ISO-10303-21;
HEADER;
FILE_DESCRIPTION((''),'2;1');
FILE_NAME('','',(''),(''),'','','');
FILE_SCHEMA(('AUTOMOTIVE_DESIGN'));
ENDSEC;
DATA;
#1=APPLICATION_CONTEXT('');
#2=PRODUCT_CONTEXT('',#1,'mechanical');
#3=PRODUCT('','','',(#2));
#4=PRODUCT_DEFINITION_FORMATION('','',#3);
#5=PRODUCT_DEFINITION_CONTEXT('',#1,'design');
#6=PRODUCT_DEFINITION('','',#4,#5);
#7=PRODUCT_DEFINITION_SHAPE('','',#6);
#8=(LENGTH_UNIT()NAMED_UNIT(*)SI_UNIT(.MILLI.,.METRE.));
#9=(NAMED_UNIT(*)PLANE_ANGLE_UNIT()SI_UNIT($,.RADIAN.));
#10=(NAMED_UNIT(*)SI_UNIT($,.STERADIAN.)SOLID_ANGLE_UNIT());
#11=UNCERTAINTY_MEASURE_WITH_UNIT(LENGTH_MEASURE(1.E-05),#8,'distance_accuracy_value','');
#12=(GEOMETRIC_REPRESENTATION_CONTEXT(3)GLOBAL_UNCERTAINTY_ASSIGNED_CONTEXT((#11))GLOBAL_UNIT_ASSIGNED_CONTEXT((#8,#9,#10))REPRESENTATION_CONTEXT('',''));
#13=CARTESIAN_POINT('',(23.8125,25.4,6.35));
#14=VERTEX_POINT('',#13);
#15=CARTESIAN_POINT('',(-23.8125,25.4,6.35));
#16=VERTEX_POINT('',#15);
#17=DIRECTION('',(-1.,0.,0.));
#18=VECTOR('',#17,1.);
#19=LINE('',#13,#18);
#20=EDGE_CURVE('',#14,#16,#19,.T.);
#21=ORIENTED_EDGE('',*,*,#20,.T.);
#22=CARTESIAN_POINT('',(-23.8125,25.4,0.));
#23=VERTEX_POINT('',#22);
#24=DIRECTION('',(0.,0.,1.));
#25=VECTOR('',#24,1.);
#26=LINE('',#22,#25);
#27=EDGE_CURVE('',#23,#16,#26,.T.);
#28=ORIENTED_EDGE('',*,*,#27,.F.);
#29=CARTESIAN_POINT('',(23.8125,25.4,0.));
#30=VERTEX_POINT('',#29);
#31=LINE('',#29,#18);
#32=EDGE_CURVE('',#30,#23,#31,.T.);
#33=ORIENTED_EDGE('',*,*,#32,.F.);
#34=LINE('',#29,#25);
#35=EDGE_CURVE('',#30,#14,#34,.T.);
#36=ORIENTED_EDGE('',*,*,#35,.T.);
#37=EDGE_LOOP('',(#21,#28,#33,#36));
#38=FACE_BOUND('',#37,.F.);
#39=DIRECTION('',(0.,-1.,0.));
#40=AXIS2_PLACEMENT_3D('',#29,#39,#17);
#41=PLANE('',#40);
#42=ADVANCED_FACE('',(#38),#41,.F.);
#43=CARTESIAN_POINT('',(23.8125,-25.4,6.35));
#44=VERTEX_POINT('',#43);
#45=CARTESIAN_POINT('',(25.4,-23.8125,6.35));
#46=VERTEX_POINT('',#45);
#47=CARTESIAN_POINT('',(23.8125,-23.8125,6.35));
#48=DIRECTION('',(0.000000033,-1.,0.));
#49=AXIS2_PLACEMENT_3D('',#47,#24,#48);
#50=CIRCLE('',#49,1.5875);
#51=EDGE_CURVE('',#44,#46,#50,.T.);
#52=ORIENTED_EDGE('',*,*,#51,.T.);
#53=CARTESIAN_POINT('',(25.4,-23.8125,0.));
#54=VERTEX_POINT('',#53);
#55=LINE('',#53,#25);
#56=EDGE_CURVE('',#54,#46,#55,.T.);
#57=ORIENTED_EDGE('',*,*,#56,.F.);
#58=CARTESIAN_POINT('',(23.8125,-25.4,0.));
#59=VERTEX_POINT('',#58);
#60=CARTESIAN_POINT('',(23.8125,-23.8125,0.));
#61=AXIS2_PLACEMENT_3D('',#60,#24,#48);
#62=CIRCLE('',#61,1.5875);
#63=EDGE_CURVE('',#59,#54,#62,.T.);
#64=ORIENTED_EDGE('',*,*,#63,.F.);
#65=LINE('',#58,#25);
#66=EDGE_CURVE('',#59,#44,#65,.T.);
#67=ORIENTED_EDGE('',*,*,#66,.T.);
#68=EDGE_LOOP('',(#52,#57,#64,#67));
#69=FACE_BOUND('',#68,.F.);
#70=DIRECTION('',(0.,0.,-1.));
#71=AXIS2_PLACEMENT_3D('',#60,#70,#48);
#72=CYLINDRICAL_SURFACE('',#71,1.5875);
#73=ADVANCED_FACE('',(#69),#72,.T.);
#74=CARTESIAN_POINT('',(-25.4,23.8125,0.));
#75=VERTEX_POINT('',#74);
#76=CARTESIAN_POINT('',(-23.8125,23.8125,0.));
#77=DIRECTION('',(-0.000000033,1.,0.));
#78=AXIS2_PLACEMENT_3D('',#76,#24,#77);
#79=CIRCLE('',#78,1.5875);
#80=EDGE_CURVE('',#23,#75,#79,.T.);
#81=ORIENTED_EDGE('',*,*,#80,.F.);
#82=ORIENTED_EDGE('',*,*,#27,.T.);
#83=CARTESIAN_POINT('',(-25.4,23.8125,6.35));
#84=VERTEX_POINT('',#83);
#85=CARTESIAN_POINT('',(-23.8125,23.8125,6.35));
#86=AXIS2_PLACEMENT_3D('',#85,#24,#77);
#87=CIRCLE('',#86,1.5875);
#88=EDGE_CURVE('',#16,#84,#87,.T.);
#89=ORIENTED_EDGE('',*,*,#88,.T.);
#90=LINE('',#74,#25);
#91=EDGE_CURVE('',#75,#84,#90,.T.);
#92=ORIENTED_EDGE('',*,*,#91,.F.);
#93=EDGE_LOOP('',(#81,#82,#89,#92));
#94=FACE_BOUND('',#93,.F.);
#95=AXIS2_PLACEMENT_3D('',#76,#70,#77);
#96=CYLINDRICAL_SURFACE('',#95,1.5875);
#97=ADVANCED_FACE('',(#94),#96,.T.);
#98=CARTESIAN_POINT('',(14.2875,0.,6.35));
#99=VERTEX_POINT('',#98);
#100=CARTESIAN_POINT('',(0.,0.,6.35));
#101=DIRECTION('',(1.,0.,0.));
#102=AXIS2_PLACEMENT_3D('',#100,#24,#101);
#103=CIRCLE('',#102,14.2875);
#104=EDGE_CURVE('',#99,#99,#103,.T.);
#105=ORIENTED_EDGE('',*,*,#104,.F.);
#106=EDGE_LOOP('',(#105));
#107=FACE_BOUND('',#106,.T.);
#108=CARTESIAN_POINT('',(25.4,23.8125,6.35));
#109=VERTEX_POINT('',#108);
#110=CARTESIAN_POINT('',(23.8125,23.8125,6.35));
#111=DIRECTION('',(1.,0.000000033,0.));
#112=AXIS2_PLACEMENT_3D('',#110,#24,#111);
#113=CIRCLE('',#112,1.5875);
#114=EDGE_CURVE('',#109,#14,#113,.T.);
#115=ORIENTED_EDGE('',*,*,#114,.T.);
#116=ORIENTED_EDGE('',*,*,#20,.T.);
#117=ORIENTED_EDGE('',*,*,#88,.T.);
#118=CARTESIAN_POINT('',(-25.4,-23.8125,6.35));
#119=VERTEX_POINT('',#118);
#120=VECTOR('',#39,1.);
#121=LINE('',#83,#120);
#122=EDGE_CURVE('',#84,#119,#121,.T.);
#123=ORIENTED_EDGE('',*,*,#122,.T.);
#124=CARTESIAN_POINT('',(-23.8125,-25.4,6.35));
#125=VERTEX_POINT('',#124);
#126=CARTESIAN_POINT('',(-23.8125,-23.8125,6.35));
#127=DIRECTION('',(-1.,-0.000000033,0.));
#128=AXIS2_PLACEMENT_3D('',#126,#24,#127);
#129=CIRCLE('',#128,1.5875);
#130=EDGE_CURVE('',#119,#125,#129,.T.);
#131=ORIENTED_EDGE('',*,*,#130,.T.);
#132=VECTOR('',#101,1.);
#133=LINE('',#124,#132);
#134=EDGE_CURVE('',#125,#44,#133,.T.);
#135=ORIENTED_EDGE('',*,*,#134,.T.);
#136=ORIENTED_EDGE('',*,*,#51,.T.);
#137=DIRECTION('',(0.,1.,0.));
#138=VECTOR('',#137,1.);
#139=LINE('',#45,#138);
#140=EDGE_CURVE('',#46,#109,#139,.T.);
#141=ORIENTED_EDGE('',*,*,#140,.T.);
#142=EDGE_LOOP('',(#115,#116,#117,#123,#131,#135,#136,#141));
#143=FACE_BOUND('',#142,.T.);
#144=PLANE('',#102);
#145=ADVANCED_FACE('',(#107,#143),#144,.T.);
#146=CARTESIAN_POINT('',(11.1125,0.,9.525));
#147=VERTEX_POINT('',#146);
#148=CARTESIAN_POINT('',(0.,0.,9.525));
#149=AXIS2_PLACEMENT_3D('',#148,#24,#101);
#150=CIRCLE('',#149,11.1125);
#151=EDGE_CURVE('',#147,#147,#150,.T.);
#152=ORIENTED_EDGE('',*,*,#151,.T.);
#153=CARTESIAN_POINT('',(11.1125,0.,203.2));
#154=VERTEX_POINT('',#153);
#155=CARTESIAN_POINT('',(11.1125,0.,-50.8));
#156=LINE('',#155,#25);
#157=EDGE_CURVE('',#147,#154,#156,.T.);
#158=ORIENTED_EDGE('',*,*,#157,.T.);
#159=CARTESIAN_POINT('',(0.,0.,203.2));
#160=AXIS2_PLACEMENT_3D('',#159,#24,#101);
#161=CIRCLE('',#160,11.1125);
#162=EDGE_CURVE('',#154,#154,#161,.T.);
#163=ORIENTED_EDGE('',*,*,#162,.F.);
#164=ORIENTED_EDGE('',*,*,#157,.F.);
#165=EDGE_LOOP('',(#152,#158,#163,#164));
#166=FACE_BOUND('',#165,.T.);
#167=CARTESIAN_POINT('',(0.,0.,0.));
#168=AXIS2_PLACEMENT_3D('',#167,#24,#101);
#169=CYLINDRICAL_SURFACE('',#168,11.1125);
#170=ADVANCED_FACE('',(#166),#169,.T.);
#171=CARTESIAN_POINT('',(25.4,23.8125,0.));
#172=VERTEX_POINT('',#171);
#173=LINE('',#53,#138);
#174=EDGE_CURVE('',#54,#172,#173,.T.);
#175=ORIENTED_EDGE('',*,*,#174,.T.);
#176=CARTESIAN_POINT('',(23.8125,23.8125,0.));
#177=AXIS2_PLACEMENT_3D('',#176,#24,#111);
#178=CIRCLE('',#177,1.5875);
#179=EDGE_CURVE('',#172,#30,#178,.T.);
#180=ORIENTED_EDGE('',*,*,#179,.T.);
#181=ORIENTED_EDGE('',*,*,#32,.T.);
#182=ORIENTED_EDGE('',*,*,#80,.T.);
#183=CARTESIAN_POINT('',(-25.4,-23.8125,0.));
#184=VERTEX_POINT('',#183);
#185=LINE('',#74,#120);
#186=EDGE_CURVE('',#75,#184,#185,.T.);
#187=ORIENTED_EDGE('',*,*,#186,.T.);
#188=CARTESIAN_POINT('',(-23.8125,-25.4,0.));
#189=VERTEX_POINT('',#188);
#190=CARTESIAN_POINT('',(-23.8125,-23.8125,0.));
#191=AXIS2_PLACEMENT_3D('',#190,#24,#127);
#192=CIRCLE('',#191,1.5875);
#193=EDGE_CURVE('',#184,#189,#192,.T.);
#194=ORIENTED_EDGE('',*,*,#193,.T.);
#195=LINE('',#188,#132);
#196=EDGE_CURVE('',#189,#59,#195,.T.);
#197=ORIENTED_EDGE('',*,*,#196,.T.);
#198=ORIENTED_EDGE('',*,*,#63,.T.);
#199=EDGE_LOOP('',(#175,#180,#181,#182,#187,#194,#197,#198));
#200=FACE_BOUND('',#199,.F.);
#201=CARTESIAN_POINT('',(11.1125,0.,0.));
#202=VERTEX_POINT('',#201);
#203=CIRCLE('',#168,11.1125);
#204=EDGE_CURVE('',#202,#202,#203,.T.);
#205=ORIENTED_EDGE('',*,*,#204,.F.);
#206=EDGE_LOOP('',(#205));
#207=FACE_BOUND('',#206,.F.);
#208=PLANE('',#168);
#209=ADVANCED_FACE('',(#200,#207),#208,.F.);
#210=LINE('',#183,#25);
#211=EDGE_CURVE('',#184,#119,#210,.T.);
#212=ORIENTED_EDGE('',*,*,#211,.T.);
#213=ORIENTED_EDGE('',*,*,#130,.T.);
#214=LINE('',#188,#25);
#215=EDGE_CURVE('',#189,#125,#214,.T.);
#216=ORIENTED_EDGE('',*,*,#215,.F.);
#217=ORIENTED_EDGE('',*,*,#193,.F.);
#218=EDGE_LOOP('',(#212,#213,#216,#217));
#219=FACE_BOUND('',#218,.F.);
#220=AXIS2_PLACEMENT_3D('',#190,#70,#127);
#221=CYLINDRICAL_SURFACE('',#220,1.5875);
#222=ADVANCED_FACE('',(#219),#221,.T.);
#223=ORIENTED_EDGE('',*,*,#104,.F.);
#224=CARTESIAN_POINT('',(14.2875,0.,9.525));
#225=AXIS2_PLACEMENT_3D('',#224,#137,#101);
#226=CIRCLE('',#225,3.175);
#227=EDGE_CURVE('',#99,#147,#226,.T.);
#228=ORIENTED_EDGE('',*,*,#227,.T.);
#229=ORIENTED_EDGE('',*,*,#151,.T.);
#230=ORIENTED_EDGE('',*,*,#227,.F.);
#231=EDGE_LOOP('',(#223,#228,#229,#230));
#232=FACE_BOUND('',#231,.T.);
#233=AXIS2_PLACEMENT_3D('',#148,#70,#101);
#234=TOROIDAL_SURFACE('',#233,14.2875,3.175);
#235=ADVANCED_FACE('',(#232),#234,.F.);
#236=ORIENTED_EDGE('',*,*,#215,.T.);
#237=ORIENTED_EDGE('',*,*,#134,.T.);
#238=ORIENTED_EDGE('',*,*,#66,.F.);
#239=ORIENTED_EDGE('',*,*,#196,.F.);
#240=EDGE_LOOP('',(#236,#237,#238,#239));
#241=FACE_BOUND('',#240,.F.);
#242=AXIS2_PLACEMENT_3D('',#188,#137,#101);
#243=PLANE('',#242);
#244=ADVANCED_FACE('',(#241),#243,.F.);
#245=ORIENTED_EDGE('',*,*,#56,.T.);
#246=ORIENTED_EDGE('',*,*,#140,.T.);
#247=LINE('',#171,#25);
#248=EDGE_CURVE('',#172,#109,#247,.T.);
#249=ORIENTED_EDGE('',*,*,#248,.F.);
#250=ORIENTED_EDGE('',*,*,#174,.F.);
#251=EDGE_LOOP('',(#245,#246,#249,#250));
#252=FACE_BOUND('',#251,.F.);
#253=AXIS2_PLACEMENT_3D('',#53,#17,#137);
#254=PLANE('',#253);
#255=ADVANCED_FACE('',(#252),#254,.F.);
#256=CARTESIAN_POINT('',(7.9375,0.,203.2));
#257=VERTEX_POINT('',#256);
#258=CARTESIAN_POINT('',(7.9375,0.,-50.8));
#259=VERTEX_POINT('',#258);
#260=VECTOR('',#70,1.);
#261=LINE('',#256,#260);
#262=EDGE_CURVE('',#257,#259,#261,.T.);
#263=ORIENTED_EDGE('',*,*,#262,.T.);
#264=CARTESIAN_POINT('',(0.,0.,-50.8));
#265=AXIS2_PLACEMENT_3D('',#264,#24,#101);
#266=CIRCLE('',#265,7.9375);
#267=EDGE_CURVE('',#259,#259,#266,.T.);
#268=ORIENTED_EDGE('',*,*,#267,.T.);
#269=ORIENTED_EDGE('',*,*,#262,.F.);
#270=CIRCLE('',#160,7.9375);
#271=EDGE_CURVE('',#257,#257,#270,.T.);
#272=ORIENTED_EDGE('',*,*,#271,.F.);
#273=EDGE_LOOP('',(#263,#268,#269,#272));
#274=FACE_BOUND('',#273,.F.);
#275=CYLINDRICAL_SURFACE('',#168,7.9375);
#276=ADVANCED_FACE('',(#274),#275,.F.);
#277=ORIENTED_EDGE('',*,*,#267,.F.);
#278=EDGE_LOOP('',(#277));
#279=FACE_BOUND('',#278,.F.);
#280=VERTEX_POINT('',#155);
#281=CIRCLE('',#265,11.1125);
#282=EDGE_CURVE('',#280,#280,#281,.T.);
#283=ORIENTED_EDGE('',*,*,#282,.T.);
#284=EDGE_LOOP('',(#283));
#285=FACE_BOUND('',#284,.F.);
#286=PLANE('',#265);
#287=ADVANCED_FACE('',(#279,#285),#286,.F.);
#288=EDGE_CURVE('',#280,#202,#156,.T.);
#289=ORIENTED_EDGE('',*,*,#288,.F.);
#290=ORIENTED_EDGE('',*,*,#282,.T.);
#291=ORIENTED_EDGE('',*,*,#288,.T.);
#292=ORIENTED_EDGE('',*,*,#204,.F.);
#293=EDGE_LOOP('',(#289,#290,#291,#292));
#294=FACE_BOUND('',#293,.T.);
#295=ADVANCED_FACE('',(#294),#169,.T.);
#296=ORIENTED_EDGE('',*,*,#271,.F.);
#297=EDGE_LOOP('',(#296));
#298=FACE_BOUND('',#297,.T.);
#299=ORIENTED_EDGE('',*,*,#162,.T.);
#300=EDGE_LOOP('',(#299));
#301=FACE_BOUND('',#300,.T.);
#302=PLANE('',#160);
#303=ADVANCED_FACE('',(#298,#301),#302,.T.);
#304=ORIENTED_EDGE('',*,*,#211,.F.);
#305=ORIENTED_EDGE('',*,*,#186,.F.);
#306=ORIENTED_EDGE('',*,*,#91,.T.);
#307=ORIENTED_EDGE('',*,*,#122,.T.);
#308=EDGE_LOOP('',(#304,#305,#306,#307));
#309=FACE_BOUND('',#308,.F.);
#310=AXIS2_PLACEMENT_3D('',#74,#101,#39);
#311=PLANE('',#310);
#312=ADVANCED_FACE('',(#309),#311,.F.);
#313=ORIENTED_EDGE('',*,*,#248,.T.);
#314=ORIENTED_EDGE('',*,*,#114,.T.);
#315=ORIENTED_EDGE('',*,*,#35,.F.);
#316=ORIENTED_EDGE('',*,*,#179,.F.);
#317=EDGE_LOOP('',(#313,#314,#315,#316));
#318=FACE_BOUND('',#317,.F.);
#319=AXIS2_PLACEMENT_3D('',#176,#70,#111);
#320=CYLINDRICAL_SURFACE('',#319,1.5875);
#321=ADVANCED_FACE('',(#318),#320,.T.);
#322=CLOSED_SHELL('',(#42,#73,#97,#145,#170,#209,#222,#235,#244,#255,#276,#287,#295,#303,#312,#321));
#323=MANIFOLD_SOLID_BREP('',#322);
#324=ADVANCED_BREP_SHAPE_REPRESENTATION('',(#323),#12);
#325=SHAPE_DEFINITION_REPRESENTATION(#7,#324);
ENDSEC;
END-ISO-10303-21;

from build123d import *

# Parameters (mm, degrees)
F0_R          = 11.1125
F0_R_2        = 7.9375
F1_DEPTH      = 203.2
F1_DEPTH_BACK = 50.8
F2_R          = 7.9375
F3_DEPTH      = 6.35
F4_R          = 3.175


with BuildPart() as f1:
    # F0 (on Top) → F1 (new body, two sides)
    with BuildSketch(Plane.XY) as f1_sk:
        Circle(F0_R)
        Circle(F0_R_2, mode=Mode.SUBTRACT)
    extrude(amount=F1_DEPTH)
    extrude(f1_sk.sketch, amount=-F1_DEPTH_BACK)

    # F2 (on Top) → F3 (join)
    with BuildSketch(Plane.XY):
        with BuildLine():
            ThreePointArc((25.4, 23.8125), (24.935032, 24.935032), (23.8125, 25.4))
            Line((23.8125, 25.4), (-23.8125, 25.4))
            ThreePointArc((-23.8125, 25.4), (-24.935032, 24.935032), (-25.4, 23.8125))
            Line((-25.4, 23.8125), (-25.4, -23.8125))
            ThreePointArc((-25.4, -23.8125), (-24.935032, -24.935032), (-23.8125, -25.4))
            Line((-23.8125, -25.4), (23.8125, -25.4))
            ThreePointArc((23.8125, -25.4), (24.935032, -24.935032), (25.4, -23.8125))
            Line((25.4, -23.8125), (25.4, 23.8125))
        make_face()
        Circle(F2_R, mode=Mode.SUBTRACT)
    extrude(amount=F3_DEPTH)

    # F4
    f4_edges = [f1.edges().sort_by_distance(p)[0] for p in [
        (-11.1125, 0, 6.35),
    ]]
    fillet(f4_edges, radius=F4_R)


solid = f1.part
